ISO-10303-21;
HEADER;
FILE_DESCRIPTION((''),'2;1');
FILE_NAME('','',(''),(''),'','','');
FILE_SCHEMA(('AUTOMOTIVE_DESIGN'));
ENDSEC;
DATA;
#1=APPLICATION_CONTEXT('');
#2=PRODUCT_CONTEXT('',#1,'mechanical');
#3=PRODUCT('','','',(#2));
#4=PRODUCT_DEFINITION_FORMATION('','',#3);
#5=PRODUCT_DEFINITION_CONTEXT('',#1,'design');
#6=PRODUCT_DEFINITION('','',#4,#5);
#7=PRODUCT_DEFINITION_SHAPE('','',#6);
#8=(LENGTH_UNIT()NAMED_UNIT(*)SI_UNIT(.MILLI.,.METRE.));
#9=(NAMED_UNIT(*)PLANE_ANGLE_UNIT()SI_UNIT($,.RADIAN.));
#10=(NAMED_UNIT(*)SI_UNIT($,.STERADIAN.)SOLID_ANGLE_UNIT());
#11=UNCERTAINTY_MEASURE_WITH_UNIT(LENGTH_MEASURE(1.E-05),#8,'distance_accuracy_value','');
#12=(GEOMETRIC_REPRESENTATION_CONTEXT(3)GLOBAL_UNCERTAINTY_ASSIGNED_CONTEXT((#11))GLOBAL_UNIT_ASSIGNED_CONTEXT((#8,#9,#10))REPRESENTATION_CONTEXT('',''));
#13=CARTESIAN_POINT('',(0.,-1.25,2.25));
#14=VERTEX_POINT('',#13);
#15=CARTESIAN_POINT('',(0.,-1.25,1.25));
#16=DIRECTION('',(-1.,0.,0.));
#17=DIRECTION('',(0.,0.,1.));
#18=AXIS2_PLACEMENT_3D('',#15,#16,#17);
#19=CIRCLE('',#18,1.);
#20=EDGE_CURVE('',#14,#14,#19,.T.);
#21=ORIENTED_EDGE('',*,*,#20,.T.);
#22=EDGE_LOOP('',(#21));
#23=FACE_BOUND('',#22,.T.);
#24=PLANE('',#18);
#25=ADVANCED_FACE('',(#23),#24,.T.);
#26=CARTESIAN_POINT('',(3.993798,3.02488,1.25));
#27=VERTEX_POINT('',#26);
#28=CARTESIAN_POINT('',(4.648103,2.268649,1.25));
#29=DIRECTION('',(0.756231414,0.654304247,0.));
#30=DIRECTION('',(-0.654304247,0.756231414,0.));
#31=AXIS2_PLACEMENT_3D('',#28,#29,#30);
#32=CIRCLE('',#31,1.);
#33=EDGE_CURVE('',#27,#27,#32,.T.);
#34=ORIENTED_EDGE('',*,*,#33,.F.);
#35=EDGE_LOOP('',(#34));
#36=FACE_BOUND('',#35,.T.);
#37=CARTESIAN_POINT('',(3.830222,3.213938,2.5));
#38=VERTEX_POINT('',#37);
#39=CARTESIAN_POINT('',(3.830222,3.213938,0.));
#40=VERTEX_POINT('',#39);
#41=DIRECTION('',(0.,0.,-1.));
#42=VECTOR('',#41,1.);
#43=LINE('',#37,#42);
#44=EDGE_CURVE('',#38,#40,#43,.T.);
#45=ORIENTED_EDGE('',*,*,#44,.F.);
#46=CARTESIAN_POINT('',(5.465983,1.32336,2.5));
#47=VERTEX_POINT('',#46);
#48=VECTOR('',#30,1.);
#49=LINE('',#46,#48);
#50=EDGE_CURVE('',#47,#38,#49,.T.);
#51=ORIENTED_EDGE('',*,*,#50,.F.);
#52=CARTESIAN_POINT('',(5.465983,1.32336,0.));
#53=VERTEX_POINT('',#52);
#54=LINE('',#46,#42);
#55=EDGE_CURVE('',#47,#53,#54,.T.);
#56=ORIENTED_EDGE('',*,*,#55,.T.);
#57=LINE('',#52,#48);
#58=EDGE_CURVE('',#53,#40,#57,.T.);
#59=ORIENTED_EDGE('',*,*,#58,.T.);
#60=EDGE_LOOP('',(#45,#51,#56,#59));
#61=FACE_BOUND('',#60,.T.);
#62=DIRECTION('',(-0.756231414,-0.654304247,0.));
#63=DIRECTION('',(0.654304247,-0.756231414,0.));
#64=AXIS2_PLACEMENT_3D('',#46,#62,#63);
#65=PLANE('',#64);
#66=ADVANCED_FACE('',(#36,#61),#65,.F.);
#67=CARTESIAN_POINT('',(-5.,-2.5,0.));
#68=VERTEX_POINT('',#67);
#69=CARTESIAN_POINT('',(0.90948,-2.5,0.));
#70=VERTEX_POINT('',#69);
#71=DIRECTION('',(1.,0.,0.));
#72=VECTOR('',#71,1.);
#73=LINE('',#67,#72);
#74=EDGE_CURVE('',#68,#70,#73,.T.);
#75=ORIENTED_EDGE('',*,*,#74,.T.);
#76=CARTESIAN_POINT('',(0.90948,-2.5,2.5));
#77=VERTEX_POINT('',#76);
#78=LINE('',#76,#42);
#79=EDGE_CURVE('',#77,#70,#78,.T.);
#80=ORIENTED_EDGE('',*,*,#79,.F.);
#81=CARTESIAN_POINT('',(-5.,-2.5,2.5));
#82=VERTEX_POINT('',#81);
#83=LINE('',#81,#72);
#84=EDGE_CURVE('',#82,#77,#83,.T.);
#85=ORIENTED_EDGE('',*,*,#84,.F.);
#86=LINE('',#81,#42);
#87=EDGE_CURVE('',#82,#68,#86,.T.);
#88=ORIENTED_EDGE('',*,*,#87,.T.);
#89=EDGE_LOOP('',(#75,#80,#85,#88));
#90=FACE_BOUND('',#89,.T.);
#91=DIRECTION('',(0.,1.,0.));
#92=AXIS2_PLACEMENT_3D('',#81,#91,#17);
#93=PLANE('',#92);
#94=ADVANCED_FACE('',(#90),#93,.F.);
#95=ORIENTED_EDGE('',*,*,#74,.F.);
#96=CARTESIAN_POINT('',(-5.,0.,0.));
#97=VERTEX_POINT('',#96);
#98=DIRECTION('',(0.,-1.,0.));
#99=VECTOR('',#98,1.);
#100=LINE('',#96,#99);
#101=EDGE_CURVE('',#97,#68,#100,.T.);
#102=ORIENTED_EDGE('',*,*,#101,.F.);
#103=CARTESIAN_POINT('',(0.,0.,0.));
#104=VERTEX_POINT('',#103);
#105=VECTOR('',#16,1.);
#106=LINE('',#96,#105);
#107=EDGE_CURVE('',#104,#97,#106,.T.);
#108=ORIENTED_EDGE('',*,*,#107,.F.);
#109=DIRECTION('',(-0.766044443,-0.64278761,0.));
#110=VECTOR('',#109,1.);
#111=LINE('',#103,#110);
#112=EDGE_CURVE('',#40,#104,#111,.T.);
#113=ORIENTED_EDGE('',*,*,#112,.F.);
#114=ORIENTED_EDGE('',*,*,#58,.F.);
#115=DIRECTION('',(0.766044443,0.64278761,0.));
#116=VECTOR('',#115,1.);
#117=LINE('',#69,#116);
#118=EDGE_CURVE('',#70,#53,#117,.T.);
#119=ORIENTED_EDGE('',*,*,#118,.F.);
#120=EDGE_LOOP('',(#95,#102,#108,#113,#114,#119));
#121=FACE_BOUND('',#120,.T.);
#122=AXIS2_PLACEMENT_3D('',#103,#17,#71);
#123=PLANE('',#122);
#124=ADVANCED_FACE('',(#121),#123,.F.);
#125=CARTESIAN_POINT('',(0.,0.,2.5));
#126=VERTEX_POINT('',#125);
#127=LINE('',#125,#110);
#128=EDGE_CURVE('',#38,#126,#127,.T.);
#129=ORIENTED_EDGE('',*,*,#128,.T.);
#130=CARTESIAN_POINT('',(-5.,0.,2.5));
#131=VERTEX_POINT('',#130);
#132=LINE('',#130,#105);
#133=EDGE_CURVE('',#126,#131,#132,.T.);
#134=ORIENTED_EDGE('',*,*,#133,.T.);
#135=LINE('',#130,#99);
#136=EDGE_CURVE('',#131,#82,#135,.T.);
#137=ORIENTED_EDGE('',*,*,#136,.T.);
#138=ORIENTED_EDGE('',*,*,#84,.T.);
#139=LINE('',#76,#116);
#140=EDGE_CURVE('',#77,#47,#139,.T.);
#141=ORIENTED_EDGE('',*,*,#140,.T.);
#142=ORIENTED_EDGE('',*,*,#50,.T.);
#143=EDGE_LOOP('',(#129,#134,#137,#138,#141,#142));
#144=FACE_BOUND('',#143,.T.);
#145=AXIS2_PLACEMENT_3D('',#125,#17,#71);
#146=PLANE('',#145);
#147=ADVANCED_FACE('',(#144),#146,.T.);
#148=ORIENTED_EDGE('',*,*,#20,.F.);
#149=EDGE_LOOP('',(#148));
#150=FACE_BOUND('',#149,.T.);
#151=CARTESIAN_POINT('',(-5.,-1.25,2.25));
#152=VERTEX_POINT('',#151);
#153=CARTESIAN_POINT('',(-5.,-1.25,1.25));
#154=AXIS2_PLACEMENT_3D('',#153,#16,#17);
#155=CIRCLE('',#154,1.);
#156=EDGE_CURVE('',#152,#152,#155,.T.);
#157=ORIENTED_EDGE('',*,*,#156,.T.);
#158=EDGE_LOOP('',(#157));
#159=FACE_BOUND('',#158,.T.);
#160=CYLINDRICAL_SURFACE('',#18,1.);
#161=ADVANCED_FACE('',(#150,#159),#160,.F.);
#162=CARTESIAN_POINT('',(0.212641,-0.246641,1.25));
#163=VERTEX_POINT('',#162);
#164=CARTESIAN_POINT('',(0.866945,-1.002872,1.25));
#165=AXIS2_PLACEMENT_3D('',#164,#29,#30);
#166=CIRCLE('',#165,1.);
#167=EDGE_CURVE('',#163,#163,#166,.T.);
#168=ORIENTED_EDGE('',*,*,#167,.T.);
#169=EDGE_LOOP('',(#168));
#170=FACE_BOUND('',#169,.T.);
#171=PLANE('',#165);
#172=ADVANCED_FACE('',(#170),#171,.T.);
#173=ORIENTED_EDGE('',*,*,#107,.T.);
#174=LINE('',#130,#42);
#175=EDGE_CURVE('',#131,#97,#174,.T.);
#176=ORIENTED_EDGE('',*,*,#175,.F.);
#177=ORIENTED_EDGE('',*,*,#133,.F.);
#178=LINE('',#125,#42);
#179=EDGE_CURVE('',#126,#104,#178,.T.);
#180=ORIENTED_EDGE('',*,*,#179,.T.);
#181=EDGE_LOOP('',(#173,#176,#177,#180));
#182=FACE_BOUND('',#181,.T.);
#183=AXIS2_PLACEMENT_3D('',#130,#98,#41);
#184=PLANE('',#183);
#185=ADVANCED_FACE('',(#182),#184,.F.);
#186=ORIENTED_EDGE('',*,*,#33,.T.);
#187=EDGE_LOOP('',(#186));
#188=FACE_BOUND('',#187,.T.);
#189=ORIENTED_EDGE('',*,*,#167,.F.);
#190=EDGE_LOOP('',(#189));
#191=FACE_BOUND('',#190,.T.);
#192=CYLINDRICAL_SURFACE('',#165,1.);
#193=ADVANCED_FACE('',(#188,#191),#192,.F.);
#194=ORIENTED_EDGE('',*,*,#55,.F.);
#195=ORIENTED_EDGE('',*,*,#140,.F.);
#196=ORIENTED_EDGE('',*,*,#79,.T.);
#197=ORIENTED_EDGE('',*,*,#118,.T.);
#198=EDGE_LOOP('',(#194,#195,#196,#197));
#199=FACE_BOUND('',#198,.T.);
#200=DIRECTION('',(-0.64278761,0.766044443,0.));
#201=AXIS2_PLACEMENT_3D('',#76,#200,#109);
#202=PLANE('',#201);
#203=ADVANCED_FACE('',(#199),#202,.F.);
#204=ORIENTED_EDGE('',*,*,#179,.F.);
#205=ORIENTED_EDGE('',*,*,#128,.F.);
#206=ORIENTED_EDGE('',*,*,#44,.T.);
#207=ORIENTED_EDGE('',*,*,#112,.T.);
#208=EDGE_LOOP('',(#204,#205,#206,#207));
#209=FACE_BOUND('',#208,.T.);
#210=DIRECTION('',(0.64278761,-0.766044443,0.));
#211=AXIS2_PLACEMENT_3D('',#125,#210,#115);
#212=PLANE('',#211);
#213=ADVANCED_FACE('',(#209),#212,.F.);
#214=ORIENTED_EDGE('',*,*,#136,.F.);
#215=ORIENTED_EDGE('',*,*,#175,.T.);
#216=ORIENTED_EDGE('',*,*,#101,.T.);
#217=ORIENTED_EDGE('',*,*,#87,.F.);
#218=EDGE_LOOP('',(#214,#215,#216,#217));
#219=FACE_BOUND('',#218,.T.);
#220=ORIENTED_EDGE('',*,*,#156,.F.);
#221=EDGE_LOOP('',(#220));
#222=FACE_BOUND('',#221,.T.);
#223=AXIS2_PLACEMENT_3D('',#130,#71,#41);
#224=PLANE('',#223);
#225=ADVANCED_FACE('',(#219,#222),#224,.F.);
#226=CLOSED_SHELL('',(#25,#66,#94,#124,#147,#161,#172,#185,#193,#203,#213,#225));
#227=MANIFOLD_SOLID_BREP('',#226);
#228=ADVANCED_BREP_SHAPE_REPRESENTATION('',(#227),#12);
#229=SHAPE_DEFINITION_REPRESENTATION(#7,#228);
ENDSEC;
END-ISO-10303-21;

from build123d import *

# Parameters (mm, degrees)
BOSS_EXTRUDE1_DEPTH = 2.5
SKETCH2_R           = 1
CUT_EXTRUDE1_DEPTH  = 5
SKETCH3_R           = 1
CUT_EXTRUDE2_DEPTH  = 5


with BuildPart() as part:
    # Sketch1 → Boss-Extrude1 (new body)
    with BuildSketch(Plane.XY):
        Polygon((-5, 0), (0, 0), (3.830222216, 3.213938048), (5.465982834, 1.323359513), (0.909480399, -2.5), (-5, -2.5), align=None)
    extrude(amount=BOSS_EXTRUDE1_DEPTH)

    # Sketch2 → Cut-Extrude1 (cut)
    with BuildSketch(Plane(origin=(3.780724263, 3.271146765, 0), x_dir=(0, 0, -1), z_dir=(0.7562314141303861, 0.6543042474891606, 0))):
        with Locations(Location((-1.25, -1.325649749, 0), (0, 0, 90))):
            Circle(SKETCH2_R)
    extrude(amount=-CUT_EXTRUDE1_DEPTH, mode=Mode.SUBTRACT)

    # Sketch3 → Cut-Extrude2 (cut)
    with BuildSketch(Plane.ZY.offset(5)):
        with Locations((1.25, -1.25)):
            Circle(SKETCH3_R)
    extrude(amount=-CUT_EXTRUDE2_DEPTH, mode=Mode.SUBTRACT)


solid = part.part
